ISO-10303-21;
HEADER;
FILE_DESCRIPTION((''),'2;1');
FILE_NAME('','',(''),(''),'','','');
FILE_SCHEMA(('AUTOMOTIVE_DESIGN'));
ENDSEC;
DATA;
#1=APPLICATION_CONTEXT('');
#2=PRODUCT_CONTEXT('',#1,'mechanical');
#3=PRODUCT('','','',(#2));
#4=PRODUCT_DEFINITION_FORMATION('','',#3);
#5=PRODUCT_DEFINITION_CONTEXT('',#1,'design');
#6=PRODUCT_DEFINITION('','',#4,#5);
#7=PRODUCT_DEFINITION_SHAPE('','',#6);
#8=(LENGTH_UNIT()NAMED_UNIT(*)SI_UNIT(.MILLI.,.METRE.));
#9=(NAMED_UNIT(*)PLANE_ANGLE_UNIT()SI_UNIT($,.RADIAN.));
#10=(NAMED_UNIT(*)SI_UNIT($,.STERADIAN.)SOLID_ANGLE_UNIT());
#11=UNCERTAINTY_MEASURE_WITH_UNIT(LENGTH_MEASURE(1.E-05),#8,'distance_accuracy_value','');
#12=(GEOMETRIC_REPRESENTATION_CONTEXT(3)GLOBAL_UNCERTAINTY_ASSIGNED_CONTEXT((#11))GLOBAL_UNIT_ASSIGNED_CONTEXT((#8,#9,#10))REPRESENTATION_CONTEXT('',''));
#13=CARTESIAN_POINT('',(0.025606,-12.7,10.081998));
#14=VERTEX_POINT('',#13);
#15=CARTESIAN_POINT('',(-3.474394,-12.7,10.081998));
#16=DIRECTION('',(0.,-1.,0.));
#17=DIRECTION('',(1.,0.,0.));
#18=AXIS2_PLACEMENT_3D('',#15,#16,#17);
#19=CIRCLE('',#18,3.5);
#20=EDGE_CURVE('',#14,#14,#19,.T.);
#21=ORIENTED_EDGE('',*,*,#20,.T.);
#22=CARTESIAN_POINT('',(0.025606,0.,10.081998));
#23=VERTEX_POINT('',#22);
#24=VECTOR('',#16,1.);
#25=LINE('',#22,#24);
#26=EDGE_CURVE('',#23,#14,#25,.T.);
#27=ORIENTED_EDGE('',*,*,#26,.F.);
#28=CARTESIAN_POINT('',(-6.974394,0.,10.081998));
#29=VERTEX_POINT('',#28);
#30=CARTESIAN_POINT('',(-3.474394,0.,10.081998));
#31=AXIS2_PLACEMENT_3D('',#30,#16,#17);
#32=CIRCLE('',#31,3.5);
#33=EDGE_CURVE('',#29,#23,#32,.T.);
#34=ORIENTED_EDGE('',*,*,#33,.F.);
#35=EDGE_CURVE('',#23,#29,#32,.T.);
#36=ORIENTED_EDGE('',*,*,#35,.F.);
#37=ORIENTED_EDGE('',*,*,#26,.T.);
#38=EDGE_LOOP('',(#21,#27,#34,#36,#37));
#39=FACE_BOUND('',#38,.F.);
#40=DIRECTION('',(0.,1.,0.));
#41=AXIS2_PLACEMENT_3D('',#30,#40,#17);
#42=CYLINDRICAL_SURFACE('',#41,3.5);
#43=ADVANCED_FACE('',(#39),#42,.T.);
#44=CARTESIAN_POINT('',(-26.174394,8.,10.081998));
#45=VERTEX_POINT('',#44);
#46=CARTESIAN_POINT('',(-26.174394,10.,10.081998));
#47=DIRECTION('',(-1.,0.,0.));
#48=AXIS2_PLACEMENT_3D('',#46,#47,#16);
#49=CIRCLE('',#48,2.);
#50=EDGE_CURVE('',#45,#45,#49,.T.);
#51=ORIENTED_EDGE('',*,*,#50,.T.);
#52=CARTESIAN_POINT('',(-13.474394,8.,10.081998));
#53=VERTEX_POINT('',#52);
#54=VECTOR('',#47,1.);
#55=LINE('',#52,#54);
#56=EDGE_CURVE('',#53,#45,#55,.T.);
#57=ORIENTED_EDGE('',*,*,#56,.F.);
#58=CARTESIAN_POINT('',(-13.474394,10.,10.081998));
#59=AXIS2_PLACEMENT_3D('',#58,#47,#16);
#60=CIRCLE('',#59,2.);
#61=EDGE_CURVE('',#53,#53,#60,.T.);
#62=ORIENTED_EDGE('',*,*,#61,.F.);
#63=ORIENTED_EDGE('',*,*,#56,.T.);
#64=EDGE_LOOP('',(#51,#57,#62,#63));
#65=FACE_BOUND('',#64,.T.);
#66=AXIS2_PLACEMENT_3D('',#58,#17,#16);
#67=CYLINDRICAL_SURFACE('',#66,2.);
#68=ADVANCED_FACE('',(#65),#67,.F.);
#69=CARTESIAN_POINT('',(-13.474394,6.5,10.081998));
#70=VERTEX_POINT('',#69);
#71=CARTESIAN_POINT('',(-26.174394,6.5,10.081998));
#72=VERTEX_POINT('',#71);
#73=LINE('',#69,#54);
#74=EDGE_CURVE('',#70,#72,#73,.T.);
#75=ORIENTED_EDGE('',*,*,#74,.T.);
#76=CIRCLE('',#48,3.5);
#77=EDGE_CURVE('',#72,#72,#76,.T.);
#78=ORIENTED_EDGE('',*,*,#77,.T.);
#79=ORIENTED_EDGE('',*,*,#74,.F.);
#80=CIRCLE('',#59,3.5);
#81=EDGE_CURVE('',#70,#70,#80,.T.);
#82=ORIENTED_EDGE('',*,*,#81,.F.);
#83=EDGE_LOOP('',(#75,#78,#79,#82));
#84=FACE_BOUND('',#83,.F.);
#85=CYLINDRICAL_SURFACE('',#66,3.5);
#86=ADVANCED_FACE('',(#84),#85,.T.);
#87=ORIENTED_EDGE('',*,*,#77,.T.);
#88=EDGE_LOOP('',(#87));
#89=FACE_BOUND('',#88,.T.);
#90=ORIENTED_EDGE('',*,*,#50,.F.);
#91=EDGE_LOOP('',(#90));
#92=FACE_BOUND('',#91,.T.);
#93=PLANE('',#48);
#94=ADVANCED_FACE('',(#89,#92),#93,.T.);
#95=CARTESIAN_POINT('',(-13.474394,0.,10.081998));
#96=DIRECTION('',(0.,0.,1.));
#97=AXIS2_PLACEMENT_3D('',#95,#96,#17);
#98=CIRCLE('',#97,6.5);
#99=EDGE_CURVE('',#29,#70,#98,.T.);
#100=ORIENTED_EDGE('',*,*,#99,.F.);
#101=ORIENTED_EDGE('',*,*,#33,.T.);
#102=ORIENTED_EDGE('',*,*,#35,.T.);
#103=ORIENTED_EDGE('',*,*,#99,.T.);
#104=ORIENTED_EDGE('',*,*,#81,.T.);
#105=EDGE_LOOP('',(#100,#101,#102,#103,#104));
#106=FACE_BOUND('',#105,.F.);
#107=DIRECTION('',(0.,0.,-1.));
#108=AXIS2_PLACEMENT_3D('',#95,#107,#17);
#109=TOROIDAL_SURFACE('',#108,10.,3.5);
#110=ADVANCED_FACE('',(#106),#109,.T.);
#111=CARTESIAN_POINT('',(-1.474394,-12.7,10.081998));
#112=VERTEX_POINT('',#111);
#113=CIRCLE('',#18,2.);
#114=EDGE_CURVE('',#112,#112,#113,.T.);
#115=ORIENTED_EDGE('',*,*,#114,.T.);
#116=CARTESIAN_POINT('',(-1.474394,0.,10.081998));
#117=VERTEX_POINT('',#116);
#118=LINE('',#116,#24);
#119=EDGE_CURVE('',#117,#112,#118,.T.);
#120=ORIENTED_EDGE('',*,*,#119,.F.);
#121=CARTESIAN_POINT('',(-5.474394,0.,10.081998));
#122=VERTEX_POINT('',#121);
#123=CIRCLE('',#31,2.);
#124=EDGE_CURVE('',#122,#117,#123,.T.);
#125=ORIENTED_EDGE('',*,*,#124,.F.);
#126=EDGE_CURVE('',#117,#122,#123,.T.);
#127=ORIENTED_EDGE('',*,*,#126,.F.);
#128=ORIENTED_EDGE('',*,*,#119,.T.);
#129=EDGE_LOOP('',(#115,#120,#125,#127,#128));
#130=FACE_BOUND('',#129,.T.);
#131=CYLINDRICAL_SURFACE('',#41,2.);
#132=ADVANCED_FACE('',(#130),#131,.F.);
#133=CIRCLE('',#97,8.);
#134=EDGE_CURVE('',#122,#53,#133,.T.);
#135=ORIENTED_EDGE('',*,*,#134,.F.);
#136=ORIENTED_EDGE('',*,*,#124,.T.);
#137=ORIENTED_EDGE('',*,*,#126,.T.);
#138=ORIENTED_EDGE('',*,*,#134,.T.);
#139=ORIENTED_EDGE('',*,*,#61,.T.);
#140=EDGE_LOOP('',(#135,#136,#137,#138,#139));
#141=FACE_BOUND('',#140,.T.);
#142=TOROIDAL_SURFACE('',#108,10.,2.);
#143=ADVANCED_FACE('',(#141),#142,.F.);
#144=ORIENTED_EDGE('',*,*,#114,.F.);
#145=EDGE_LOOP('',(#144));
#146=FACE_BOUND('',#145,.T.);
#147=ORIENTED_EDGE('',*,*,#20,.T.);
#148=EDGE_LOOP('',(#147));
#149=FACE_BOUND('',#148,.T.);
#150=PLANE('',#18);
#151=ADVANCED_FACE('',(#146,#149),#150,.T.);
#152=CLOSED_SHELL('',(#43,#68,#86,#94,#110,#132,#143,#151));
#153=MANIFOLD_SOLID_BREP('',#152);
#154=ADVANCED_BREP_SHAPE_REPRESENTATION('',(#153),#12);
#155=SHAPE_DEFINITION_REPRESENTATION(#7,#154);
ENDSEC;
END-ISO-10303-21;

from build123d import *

# Parameters (mm, degrees)
F0_R     = 3.5
F0_R_2   = 2
F1_DEPTH = 12.7
F2_R     = 3.5
F2_R_2   = 2
F3_ANGLE = 90
F4_R     = 3.5
F4_R_2   = 2
F5_DEPTH = 12.7


with BuildPart() as f1:
    # F0 (on Front) → F1 (new body)
    with BuildSketch(Plane.XZ):
        with Locations((-3.4743943252, 10.0819980726)):
            Circle(F0_R)
        with Locations((-3.4743943252, 10.0819980726)):
            Circle(F0_R_2, mode=Mode.SUBTRACT)
    extrude(amount=F1_DEPTH)

    # F2 (on face) → F3 (revolve)
    with BuildSketch(Plane(origin=(0, 0, 0), x_dir=(-1, 0, 0), z_dir=(0, 1, 0))):
        with Locations((3.4743943252, 10.0819980726)):
            Circle(F2_R)
        with Locations((3.4743943252, 10.0819980726)):
            Circle(F2_R_2, mode=Mode.SUBTRACT)
    revolve(axis=Axis((-13.4743943252, 0, 9.8893858958), (0, 0, 1)), revolution_arc=F3_ANGLE)

    # F4 (on face) → F5 (join)
    with BuildSketch(Plane(origin=(-13.4743943252, 0, 0), x_dir=(0, -1, 0), z_dir=(-1, 0, 0))):
        with Locations((-10, 10.0819980726)):
            Circle(F4_R)
        with Locations((-10, 10.0819980726)):
            Circle(F4_R_2, mode=Mode.SUBTRACT)
    extrude(amount=F5_DEPTH)


solid = f1.part
